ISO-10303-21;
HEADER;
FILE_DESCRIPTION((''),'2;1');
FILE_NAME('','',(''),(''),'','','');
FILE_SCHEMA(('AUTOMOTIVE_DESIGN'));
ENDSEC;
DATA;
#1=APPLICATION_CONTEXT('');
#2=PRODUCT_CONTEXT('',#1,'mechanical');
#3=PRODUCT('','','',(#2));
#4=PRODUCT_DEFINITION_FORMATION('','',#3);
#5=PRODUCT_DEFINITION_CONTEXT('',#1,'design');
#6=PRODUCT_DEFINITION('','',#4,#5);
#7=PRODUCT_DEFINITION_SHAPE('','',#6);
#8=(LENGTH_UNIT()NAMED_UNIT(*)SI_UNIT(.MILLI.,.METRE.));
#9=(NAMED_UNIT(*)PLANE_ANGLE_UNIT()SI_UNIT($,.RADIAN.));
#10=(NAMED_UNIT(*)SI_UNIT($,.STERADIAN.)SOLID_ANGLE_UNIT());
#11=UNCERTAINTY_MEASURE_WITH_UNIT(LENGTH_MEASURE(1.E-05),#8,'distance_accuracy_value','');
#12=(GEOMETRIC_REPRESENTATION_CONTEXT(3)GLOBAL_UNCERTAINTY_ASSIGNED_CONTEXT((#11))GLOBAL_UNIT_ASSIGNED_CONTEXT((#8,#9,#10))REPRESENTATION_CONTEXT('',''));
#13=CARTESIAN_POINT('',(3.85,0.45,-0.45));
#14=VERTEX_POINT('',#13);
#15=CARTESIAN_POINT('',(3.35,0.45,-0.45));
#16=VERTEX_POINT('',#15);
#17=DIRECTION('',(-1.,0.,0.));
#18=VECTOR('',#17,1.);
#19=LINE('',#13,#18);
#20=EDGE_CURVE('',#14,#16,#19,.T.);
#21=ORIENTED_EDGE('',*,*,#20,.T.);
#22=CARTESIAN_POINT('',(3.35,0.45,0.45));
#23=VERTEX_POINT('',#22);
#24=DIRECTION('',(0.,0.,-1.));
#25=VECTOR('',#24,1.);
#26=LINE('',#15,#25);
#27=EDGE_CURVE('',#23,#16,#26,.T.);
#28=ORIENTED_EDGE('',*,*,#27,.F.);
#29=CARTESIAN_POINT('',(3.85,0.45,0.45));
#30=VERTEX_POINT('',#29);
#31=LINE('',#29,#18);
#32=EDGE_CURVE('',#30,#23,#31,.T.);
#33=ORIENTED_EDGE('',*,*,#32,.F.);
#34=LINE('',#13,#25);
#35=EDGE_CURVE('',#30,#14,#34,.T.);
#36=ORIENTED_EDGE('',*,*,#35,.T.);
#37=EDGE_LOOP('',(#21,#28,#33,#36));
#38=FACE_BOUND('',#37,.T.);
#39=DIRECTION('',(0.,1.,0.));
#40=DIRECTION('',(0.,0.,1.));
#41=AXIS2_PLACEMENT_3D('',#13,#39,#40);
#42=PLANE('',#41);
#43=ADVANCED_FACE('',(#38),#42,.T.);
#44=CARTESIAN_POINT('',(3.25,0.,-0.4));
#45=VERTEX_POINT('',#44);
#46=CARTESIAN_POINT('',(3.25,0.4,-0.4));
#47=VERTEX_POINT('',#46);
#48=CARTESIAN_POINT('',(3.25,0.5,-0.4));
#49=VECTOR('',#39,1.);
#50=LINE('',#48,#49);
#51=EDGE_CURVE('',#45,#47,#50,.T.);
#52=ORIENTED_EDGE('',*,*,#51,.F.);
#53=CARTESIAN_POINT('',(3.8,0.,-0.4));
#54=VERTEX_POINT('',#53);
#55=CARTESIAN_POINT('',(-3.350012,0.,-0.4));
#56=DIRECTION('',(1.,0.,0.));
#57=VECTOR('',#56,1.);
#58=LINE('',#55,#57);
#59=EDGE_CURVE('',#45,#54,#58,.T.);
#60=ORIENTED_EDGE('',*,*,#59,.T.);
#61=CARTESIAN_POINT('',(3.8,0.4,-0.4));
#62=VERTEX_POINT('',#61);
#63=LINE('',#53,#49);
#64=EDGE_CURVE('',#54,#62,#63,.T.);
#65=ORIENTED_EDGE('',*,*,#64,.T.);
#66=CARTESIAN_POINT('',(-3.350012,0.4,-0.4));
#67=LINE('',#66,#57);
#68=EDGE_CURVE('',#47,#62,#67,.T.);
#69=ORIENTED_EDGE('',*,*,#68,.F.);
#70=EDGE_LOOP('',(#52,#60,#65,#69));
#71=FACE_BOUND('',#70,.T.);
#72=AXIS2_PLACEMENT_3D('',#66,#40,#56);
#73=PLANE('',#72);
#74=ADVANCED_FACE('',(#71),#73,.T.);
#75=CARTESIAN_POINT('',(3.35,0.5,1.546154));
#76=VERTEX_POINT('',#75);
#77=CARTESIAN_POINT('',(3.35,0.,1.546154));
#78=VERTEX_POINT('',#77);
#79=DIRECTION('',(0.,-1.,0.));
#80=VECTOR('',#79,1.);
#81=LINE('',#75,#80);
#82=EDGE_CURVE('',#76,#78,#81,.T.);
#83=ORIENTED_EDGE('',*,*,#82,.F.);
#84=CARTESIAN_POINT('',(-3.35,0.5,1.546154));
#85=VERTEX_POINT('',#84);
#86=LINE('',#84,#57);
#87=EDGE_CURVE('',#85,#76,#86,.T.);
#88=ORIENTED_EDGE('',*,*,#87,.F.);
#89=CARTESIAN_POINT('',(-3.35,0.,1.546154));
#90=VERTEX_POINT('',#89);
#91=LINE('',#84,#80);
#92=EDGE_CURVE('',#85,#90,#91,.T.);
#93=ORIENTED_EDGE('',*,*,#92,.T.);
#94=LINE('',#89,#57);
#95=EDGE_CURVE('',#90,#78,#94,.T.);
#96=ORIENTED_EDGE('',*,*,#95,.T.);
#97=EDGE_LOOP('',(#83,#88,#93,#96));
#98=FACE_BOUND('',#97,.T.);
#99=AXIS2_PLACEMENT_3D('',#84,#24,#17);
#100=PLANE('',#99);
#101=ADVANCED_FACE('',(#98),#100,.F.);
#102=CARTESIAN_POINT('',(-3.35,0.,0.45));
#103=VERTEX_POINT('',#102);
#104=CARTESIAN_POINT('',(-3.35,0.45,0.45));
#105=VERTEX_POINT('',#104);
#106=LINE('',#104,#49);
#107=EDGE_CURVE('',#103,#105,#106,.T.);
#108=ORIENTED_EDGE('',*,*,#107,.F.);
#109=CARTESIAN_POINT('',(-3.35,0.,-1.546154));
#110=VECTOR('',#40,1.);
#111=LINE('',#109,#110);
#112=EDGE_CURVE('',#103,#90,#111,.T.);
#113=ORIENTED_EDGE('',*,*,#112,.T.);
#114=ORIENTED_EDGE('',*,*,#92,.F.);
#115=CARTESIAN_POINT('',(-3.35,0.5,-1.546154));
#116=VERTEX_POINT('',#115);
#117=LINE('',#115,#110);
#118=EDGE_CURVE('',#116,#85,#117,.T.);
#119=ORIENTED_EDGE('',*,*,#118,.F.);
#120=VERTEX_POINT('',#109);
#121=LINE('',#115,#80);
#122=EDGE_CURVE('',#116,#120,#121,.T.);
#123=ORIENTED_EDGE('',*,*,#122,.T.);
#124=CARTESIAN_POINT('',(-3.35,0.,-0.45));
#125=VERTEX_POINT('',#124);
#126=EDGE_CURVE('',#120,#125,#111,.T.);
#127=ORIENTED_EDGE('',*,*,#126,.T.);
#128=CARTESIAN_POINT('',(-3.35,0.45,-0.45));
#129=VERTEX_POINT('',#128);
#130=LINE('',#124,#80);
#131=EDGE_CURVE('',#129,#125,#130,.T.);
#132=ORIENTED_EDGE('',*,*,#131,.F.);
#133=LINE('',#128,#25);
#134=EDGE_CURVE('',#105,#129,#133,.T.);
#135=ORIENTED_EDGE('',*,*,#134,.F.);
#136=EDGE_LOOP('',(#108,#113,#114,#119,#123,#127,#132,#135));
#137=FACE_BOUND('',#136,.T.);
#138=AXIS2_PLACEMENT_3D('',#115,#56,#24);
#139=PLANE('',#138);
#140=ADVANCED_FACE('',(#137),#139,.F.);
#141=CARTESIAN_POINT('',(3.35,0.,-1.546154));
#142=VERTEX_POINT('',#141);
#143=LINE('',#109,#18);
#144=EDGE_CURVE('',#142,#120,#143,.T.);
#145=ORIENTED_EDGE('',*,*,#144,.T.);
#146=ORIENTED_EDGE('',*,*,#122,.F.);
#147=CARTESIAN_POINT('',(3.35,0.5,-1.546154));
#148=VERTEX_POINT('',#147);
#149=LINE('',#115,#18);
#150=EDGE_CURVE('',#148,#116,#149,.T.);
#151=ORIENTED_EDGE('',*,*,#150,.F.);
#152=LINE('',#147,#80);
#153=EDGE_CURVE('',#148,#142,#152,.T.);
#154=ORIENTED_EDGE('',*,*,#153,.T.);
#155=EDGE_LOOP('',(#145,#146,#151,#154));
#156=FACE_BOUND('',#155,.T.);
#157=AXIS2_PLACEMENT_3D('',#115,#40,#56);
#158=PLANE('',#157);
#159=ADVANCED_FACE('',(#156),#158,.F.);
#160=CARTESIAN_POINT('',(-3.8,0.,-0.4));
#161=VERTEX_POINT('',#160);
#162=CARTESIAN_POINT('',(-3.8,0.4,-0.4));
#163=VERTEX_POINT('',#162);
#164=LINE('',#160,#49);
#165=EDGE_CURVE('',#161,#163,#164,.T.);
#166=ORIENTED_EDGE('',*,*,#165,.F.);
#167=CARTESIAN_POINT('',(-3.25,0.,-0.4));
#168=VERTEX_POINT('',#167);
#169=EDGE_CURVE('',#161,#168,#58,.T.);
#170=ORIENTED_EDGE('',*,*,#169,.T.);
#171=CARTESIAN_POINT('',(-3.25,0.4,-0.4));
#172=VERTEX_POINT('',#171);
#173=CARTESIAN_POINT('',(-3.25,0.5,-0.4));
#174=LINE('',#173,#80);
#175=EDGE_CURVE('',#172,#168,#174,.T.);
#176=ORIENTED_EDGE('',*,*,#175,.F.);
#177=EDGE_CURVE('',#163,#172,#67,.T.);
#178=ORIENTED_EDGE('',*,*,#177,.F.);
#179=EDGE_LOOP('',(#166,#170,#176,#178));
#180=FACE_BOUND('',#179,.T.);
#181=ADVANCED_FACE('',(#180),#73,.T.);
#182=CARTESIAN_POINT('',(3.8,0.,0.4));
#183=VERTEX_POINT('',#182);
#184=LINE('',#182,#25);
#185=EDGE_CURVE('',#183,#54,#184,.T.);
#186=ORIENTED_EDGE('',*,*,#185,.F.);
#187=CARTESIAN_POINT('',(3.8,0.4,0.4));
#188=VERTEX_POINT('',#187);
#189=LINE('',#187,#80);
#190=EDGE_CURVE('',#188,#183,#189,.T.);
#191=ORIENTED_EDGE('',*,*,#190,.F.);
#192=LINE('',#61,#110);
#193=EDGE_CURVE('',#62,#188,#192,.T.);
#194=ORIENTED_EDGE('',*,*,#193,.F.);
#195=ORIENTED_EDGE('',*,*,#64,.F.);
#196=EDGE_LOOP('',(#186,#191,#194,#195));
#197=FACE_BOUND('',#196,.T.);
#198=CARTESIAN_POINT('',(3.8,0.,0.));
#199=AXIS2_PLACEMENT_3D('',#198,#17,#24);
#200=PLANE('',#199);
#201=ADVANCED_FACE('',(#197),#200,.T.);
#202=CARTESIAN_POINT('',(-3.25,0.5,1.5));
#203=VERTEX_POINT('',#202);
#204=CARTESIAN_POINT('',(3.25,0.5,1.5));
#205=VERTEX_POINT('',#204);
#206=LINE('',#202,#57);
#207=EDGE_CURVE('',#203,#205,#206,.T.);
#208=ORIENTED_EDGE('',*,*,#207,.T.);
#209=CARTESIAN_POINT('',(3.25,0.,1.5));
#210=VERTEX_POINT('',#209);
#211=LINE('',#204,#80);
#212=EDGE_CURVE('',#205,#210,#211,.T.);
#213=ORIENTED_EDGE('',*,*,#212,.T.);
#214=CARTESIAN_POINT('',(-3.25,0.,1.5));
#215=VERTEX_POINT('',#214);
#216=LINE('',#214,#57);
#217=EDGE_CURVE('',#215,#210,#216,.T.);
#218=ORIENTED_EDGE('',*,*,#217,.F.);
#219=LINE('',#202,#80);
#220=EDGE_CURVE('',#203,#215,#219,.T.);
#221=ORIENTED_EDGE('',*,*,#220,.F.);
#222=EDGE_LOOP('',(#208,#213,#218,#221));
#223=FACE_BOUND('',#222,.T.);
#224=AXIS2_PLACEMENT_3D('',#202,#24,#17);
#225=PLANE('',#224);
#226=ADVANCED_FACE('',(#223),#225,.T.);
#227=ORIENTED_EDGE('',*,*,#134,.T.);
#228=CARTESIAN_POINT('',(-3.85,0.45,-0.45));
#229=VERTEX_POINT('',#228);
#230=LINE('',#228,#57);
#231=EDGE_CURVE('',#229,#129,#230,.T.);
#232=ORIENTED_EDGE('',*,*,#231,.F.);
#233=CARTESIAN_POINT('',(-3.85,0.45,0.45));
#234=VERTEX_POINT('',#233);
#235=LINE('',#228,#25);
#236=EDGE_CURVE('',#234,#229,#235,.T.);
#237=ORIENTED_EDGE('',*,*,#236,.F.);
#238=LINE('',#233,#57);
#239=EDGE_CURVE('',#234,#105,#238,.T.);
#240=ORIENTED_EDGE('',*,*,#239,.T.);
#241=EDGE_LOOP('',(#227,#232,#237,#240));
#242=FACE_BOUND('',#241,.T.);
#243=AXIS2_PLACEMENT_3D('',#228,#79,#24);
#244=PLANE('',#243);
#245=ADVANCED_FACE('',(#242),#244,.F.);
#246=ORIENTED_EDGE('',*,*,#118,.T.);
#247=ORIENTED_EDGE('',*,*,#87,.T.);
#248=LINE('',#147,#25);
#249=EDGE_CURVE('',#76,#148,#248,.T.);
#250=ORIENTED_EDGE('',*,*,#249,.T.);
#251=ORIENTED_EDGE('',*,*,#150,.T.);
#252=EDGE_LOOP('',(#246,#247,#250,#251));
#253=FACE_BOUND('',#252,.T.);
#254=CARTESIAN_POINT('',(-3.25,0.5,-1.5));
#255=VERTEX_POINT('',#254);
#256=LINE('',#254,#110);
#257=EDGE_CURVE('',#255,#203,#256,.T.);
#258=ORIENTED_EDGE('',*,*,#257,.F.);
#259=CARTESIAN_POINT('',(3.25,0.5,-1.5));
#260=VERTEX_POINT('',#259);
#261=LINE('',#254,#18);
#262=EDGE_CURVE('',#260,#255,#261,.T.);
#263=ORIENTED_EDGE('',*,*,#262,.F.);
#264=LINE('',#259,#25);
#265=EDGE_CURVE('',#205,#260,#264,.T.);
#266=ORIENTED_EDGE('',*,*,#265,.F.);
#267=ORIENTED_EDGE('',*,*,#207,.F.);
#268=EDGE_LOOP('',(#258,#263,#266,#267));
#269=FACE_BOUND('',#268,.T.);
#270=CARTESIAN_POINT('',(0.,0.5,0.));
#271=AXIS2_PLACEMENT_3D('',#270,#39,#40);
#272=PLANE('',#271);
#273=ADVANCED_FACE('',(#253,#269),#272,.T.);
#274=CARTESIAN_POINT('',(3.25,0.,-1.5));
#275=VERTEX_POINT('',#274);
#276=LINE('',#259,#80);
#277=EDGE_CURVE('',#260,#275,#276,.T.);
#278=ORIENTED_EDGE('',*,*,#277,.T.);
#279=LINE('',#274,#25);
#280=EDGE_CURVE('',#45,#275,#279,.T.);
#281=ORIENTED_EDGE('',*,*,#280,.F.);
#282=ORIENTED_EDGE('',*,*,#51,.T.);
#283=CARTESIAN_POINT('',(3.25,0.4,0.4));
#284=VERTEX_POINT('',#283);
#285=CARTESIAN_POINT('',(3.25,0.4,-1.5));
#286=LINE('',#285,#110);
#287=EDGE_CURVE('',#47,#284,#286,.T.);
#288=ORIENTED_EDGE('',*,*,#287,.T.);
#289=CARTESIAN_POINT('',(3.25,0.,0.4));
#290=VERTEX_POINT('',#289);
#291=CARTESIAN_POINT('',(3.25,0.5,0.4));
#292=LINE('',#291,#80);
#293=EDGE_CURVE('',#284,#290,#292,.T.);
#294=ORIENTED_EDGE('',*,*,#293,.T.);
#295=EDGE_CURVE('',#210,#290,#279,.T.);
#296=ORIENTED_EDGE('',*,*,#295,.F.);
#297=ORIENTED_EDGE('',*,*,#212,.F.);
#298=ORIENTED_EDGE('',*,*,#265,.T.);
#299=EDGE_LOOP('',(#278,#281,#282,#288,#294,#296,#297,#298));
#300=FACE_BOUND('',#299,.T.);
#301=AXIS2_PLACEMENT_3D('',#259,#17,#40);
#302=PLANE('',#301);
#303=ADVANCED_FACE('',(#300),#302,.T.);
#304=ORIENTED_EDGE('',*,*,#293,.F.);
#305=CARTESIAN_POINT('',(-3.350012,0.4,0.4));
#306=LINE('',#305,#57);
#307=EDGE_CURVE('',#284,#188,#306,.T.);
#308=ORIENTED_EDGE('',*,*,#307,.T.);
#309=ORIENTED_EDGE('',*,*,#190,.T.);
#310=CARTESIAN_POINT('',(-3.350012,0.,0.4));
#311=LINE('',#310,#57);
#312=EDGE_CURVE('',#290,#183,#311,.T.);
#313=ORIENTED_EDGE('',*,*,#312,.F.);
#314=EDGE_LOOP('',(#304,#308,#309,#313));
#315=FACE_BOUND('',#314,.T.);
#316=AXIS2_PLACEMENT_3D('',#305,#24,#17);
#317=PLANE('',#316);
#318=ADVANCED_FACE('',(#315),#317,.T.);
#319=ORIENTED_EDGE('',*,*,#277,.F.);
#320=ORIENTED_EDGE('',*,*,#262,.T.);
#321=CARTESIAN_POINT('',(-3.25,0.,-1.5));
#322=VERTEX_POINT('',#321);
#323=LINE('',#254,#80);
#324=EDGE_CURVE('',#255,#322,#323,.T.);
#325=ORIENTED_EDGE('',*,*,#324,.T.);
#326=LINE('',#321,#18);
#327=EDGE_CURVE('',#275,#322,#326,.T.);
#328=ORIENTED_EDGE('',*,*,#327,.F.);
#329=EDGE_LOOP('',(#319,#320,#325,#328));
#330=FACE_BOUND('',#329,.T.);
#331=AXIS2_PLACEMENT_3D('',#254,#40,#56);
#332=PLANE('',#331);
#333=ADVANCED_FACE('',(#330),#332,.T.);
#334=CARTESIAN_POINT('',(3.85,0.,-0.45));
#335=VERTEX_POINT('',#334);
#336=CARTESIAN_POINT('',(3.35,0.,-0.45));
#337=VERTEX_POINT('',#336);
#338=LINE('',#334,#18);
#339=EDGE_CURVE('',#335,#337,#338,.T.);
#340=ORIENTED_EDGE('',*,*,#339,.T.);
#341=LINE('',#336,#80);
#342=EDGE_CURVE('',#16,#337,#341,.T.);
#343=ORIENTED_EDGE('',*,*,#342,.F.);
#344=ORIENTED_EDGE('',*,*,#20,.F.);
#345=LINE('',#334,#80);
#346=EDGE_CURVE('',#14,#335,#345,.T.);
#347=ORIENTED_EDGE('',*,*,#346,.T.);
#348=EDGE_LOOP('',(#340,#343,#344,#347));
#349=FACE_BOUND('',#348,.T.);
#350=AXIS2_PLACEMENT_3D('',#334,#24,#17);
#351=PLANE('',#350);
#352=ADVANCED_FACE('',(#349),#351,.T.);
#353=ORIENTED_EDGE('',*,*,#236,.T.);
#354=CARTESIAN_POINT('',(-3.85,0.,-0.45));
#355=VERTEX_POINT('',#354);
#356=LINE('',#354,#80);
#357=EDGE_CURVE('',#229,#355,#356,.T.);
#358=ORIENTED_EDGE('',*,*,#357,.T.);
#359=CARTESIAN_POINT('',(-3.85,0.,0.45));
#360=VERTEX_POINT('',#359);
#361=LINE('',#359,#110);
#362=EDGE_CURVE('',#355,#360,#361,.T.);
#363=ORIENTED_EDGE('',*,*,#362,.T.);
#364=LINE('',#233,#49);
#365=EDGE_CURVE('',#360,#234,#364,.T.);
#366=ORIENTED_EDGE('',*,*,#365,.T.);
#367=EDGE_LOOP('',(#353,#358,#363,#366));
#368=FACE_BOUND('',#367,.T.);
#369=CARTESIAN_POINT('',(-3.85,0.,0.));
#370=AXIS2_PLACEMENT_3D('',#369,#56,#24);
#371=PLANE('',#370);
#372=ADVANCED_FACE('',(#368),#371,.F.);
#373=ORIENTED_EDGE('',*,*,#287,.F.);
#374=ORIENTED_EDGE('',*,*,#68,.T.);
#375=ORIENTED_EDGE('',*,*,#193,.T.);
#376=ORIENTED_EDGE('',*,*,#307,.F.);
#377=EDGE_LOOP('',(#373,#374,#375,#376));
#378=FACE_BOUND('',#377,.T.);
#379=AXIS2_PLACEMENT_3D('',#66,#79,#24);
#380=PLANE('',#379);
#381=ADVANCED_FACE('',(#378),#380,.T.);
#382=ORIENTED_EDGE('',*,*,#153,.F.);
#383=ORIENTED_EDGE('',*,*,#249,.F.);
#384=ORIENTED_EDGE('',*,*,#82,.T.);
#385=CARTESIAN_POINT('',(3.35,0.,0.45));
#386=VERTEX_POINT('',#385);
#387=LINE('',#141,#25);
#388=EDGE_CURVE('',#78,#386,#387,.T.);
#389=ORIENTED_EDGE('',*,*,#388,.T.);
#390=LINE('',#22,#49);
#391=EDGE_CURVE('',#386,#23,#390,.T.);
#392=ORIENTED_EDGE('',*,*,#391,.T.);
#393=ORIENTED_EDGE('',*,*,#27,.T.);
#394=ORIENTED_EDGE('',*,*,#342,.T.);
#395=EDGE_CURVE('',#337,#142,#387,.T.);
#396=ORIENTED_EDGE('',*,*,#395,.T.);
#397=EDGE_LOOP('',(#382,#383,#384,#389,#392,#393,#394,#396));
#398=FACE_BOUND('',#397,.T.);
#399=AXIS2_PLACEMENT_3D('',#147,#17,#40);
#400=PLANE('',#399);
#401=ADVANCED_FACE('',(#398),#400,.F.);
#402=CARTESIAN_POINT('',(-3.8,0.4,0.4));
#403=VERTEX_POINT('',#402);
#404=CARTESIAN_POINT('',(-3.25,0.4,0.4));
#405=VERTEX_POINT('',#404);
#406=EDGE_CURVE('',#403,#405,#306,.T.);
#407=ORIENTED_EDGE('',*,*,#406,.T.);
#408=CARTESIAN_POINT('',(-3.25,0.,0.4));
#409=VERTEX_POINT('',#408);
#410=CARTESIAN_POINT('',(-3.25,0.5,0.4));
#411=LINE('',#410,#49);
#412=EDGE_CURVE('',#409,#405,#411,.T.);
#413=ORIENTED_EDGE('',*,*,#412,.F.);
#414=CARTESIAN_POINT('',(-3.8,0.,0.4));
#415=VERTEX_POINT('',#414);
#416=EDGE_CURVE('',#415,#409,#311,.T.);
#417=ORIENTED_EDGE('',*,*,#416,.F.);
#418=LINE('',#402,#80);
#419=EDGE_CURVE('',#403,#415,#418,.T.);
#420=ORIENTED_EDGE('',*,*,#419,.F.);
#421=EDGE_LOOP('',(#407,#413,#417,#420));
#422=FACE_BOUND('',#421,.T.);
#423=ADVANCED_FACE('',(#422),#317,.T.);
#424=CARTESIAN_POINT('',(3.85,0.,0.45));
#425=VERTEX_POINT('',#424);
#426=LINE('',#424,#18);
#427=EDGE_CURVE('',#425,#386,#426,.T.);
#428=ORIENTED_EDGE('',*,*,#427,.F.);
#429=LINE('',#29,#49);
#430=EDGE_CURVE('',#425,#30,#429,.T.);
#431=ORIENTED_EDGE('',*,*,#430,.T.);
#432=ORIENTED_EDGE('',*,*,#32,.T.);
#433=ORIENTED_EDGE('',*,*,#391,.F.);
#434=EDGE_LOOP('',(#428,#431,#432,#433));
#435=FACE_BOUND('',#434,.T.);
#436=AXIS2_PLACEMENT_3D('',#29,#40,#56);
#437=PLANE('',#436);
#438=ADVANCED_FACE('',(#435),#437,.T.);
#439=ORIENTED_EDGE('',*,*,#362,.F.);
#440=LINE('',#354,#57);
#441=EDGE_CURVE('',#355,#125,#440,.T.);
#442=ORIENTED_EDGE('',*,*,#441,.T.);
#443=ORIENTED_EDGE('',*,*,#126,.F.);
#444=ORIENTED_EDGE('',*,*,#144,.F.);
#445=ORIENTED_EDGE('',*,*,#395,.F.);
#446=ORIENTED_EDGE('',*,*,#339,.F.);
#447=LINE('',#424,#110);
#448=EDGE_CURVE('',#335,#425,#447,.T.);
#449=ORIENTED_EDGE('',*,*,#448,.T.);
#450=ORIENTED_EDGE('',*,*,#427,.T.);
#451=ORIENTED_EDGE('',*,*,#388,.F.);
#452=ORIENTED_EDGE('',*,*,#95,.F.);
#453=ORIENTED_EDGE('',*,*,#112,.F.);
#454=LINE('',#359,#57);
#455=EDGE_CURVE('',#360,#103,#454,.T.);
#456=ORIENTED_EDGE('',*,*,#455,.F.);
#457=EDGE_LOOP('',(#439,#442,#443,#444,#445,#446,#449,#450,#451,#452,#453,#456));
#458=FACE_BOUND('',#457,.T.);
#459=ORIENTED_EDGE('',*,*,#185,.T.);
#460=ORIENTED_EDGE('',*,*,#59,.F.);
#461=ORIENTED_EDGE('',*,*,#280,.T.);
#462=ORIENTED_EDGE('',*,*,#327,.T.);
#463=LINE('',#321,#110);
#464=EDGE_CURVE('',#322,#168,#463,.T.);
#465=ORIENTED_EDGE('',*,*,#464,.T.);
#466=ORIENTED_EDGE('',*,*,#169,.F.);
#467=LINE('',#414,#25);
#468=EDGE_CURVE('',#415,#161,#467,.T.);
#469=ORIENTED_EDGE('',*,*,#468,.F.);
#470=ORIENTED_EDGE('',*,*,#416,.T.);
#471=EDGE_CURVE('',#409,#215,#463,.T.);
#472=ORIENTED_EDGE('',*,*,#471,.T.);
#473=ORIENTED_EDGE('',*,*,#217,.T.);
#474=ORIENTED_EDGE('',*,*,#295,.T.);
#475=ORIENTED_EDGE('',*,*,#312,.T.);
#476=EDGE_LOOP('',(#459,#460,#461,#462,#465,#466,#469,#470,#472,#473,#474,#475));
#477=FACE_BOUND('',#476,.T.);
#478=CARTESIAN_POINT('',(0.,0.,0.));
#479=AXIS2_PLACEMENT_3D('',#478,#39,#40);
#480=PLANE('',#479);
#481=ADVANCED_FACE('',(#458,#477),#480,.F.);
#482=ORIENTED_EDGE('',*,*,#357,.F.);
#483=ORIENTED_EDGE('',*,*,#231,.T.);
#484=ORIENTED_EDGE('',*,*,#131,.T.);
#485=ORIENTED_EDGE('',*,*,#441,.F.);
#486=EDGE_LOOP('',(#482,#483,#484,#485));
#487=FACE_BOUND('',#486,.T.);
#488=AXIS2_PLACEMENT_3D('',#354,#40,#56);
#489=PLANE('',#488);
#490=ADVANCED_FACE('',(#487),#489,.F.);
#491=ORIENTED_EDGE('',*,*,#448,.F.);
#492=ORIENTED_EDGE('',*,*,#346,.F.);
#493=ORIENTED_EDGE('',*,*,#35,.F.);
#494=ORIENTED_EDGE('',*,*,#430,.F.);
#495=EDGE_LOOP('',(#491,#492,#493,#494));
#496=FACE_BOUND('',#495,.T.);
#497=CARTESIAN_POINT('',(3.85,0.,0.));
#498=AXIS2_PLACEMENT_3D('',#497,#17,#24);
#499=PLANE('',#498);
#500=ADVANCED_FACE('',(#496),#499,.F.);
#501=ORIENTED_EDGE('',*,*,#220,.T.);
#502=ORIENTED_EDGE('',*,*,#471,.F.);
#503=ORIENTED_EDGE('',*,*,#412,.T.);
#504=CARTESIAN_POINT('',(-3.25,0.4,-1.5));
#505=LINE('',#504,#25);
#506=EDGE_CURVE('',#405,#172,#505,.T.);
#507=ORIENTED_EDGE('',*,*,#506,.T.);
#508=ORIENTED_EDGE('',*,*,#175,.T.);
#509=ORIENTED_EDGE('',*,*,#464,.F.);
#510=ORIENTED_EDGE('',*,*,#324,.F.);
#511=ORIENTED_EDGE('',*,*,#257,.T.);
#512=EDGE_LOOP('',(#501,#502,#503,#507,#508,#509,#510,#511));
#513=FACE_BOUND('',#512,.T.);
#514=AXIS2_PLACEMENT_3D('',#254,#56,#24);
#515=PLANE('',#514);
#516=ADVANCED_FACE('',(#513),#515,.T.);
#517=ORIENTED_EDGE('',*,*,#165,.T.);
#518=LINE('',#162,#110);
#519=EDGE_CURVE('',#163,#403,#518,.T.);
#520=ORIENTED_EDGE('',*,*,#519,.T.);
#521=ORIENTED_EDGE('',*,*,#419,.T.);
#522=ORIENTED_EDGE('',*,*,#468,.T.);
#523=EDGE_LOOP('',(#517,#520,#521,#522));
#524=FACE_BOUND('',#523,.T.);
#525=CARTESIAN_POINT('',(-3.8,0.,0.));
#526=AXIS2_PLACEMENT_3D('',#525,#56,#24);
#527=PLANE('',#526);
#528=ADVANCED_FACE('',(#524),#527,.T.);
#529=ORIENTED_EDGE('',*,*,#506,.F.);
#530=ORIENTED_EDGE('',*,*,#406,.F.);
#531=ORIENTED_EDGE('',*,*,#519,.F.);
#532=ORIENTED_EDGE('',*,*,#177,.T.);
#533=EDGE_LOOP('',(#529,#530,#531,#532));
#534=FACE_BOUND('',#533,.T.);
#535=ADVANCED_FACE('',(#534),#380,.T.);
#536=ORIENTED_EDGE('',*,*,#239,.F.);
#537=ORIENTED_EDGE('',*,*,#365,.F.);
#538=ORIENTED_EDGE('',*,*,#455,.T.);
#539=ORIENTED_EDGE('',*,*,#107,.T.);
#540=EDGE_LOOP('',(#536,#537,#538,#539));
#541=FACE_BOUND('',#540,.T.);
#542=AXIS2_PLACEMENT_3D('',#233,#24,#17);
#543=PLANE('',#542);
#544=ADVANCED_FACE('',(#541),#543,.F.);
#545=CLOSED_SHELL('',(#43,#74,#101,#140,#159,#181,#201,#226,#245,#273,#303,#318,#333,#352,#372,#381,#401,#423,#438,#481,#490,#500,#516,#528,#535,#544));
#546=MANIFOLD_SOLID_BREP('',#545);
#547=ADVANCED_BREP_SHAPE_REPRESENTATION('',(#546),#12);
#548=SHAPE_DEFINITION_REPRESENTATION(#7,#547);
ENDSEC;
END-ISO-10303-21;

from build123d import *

# Parameters (mm, degrees)
SKETCH_1_W               = 6.7
SKETCH_1_H               = 3.092307692
SKETCH_1_W_2             = 6.5
SKETCH_1_H_2             = 3
EXTRUDE_1_DEPTH          = 0.5
SKETCH_3_W               = 0.8
SKETCH_3_H               = 0.4
CUT_EXTRUDE_1_DEPTH      = 1
CUT_EXTRUDE_1_DEPTH_BACK = 7.7
SKETCH_8_W               = 0.9
SKETCH_8_H               = 0.45
EXTRUDE_4_DEPTH          = 0.5
SKETCH_9_W               = 0.8
SKETCH_9_H               = 0.4
CUT_EXTRUDE_2_DEPTH      = 0.45


with BuildPart() as part:
    # 草圖1 → 填料-伸長1 (new body)
    with BuildSketch(Plane(origin=(0, 0, 0), x_dir=(1, 0, 0), z_dir=(0, 1, 0))):
        Rectangle(SKETCH_1_W, SKETCH_1_H)
        Rectangle(SKETCH_1_W_2, SKETCH_1_H_2, mode=Mode.SUBTRACT)
    extrude(amount=EXTRUDE_1_DEPTH)

    # 草圖3 → 除料-伸長1 (cut, two sides)
    with BuildSketch(Plane.ZY.offset(3.35)) as cut_extrude_1_sk:
        with Locations((0, 0.2)):
            Rectangle(SKETCH_3_W, SKETCH_3_H)
    extrude(amount=CUT_EXTRUDE_1_DEPTH, mode=Mode.SUBTRACT)
    extrude(cut_extrude_1_sk.sketch, amount=-CUT_EXTRUDE_1_DEPTH_BACK, mode=Mode.SUBTRACT)

    # 草圖8 → 填料-伸長4 (add)
    with BuildSketch(Plane.ZY.offset(3.35)):
        with Locations((0, 0.225)):
            Rectangle(SKETCH_8_W, SKETCH_8_H)
    extrude_4 = extrude(amount=EXTRUDE_4_DEPTH)

    # 草圖9 → 除料-伸長2 (cut)
    with BuildSketch(Plane(origin=(-3.35, 0, 0), x_dir=(0, 0, -1), z_dir=(1, 0, 0))):
        with Locations((0, 0.2)):
            Rectangle(SKETCH_9_W, SKETCH_9_H)
    cut_extrude_2 = extrude(amount=-CUT_EXTRUDE_2_DEPTH, mode=Mode.SUBTRACT)

    # 鏡射7: 填料-伸長4, 除料-伸長2 across plane
    add(extrude_4.mirror(Plane(origin=(0, 0, 0), x_dir=(0, 0, 1), z_dir=(1, 0, 0))))
    add(cut_extrude_2.mirror(Plane(origin=(0, 0, 0), x_dir=(0, 0, 1), z_dir=(1, 0, 0))), mode=Mode.SUBTRACT)


solid = part.part
